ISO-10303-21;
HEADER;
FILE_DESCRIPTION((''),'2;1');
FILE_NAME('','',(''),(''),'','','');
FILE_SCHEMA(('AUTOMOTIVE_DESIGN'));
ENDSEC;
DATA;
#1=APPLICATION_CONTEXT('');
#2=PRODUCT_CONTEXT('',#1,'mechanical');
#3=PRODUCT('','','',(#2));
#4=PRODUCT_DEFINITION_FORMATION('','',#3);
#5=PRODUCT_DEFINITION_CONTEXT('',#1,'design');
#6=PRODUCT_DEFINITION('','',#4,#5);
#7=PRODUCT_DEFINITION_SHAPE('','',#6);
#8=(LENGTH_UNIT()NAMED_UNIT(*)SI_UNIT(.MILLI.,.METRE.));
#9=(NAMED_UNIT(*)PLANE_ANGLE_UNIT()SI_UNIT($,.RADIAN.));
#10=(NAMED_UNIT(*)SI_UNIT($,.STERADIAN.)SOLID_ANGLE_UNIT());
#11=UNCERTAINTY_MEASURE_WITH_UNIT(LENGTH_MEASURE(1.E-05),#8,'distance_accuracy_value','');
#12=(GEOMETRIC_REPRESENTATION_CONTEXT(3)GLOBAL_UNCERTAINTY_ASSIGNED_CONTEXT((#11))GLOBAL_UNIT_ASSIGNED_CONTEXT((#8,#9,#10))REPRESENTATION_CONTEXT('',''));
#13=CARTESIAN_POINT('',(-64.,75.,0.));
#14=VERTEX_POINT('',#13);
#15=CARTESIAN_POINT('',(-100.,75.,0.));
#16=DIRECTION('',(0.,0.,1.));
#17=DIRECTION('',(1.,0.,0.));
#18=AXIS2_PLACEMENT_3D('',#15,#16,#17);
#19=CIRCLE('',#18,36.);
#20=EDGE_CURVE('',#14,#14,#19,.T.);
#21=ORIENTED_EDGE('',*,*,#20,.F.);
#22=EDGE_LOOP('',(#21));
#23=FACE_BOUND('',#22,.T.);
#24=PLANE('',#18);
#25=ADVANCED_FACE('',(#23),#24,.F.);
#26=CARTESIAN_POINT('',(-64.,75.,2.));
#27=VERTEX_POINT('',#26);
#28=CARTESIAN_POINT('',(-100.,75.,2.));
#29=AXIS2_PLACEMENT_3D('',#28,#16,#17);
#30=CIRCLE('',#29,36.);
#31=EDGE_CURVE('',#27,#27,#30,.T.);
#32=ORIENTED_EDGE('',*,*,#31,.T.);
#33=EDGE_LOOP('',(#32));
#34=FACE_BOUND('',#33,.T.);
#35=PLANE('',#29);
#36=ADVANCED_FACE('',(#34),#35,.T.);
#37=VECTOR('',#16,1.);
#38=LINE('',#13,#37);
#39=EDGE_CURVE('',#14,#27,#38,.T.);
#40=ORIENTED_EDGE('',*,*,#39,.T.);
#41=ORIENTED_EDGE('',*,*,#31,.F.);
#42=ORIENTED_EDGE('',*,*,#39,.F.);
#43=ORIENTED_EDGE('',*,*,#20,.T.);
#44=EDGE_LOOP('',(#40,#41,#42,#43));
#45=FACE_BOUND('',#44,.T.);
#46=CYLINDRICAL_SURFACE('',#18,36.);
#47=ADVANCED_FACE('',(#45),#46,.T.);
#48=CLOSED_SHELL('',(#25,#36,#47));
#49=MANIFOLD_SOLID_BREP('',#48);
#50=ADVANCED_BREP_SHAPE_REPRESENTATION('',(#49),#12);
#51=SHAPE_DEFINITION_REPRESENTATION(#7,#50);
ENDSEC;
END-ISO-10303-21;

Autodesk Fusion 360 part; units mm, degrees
cylinder "CylinderPrimitive1" add diameter 72 height 2 placed x (1, 0, 0) y (0, 1, 0) z (0, 0, 1) at (-100, 75, 0)
